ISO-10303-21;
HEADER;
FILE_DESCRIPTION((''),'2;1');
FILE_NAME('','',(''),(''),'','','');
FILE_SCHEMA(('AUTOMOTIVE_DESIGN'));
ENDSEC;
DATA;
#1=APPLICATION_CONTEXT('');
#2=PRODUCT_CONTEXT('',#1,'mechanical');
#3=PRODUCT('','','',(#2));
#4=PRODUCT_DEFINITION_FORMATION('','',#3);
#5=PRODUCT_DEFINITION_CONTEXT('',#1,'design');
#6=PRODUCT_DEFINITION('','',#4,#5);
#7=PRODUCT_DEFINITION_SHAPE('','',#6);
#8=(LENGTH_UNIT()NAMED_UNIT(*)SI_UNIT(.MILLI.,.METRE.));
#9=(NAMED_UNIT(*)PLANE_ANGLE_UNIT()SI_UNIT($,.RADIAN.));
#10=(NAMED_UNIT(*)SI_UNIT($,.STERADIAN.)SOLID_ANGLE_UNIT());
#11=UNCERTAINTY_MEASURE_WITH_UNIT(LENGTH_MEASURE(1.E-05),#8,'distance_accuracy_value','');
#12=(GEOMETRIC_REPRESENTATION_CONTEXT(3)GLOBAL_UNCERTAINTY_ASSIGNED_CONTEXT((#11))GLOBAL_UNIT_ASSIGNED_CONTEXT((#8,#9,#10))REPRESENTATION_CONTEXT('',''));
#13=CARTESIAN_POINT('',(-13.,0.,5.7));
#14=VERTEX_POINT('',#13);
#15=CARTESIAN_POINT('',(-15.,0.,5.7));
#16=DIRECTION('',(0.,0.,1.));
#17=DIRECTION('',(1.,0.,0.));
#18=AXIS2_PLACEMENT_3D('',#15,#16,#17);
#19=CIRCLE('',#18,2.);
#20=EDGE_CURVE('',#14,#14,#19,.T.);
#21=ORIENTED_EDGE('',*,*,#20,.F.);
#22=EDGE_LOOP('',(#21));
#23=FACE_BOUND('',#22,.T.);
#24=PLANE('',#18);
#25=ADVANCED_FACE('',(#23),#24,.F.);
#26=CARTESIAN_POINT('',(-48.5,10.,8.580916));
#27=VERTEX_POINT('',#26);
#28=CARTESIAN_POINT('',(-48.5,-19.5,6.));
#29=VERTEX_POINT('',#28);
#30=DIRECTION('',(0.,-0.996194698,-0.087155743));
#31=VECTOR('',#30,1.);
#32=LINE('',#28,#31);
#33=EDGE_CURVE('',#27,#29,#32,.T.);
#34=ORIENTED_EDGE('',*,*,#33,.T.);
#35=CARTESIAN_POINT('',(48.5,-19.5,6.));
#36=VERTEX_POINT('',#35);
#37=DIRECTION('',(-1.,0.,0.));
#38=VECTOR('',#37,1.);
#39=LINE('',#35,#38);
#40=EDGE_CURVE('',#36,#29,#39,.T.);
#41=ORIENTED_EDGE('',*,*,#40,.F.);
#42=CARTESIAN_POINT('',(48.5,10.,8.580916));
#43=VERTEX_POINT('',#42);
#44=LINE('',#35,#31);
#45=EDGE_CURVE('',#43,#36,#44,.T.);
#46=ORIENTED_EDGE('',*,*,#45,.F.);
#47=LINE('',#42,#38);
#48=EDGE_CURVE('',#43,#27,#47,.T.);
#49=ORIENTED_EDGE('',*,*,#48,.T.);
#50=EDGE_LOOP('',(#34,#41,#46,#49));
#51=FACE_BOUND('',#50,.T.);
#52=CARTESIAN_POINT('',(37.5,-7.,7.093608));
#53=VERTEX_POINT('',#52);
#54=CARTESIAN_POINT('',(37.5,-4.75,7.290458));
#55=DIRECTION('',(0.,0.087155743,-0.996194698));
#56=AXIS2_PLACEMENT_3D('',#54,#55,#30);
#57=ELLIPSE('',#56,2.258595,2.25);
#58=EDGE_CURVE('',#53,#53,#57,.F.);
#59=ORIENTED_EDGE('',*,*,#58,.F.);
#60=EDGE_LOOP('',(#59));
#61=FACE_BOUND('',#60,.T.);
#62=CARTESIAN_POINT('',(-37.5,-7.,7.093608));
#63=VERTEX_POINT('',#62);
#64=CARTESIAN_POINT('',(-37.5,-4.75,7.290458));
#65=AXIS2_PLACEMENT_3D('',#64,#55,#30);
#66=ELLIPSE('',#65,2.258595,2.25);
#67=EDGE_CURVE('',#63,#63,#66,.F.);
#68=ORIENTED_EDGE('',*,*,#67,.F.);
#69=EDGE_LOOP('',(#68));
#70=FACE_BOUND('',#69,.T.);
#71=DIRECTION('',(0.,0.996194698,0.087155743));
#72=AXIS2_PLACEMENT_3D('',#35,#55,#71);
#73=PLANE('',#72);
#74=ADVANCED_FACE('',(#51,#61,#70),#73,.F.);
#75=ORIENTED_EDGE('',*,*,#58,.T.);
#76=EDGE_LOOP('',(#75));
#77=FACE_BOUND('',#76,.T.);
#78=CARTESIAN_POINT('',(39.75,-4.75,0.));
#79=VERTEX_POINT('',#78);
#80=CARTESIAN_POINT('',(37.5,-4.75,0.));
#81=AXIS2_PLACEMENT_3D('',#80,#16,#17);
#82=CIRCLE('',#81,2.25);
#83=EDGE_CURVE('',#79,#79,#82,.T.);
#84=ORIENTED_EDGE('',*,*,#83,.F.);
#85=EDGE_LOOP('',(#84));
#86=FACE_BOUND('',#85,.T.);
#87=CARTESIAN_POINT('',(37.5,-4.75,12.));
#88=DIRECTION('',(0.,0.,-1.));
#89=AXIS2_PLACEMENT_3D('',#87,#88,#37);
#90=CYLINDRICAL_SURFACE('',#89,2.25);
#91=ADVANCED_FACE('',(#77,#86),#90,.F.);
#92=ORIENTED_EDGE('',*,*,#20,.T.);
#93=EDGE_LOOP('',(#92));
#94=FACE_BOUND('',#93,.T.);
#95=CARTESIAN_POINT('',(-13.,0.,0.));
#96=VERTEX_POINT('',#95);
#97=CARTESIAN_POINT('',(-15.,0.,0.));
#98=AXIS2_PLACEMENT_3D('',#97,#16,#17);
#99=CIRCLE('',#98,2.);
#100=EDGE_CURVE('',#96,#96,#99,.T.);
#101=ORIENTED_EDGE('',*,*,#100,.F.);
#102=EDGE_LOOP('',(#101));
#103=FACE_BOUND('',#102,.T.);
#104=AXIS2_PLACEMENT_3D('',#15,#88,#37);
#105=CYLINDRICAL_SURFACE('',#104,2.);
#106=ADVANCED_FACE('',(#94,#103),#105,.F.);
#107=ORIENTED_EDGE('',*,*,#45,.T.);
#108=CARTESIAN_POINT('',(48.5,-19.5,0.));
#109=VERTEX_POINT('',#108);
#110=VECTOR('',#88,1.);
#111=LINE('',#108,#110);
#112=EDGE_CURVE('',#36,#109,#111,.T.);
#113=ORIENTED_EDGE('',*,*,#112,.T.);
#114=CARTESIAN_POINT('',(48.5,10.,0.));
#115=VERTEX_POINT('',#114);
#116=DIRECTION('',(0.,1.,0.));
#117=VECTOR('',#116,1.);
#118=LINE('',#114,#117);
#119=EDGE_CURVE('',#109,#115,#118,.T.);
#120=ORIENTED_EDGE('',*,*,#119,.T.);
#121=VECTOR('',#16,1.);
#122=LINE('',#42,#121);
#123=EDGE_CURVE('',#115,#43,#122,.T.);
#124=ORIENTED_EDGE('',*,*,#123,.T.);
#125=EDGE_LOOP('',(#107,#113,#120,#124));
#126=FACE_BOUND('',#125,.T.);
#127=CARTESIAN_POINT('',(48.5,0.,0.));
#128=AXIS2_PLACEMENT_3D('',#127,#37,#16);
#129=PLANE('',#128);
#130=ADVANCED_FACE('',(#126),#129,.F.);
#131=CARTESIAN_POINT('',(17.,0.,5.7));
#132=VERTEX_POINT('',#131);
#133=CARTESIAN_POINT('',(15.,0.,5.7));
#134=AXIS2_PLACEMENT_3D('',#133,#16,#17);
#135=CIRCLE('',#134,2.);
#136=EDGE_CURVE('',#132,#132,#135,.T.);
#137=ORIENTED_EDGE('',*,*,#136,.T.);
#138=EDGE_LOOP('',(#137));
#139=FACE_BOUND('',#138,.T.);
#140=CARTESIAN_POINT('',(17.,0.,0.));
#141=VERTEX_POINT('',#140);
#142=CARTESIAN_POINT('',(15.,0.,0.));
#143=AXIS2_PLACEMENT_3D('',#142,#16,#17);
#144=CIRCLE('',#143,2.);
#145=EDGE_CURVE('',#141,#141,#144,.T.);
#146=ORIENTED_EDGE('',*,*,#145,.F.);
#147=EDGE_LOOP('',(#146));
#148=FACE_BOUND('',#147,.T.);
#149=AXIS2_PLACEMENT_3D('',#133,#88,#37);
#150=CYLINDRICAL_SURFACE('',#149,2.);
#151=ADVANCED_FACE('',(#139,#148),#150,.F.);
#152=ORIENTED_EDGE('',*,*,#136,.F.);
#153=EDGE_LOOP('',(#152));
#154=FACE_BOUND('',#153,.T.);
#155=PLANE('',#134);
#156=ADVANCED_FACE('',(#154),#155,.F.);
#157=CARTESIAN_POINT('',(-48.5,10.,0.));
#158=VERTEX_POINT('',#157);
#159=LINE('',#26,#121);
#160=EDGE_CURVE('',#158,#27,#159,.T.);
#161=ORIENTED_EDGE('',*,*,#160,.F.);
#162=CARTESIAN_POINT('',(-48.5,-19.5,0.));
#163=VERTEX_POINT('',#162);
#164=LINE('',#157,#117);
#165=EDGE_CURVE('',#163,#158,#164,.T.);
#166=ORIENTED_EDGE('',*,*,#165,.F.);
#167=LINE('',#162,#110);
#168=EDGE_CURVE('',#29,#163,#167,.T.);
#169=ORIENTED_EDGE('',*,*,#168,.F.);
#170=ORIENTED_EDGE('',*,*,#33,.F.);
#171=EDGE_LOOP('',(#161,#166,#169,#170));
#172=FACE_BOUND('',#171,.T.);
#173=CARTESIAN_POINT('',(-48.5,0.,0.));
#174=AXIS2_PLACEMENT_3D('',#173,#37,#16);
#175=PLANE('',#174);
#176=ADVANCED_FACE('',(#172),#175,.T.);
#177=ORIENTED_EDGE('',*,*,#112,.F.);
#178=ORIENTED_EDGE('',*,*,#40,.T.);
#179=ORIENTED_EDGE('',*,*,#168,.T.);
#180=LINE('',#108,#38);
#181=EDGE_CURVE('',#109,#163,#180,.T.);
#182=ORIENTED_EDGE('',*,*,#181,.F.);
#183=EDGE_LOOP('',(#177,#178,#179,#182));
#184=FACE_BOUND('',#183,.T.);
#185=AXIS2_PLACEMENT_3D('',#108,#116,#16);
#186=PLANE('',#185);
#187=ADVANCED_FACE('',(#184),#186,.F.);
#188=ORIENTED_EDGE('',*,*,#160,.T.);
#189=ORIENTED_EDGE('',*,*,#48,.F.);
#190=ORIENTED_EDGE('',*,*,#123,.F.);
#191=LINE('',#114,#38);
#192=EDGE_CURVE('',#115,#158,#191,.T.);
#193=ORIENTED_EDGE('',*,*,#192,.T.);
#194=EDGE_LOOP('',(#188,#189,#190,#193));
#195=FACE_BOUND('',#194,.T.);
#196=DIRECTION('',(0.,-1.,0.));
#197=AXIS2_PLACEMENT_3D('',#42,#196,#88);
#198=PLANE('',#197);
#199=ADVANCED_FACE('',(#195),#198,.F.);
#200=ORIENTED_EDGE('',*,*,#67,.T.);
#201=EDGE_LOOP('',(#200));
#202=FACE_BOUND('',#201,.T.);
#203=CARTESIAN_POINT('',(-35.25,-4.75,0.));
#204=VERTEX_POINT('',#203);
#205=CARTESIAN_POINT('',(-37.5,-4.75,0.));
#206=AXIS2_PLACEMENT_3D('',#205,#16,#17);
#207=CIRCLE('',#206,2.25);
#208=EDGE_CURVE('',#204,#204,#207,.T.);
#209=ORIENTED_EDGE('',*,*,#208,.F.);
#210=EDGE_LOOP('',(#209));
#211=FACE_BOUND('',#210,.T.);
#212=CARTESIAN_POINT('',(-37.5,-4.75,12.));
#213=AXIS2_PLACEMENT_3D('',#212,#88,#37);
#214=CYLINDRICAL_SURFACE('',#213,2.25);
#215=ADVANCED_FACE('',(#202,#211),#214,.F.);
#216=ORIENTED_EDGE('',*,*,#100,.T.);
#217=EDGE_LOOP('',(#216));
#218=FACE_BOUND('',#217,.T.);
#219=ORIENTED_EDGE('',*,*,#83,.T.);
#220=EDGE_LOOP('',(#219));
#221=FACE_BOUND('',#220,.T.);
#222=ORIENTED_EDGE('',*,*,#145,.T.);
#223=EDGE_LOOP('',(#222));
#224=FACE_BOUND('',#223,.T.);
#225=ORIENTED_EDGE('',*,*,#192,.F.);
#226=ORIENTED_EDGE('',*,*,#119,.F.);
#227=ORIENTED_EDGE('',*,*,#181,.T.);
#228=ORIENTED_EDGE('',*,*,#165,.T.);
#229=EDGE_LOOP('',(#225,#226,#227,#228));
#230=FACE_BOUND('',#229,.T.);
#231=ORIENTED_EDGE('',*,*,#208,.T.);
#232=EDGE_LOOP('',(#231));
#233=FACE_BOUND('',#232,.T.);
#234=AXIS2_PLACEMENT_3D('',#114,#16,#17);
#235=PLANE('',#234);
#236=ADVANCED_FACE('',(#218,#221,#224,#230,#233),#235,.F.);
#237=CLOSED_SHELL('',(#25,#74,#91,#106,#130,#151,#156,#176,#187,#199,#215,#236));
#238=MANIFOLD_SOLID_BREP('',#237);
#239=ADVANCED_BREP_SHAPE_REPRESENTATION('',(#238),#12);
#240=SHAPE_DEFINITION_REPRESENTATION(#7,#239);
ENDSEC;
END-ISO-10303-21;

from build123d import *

# Parameters (mm, degrees)
EX_BODY_DEPTH        = 97
SK_INSERTS_M3_R      = 2
CUT_INSERTS_M3_DEPTH = 5.7
SK_VESA_M4_R         = 2.25
CUT_VESA_M4_DEPTH    = 12


with BuildPart() as part:
    # SK_Body → EX_Body (new body)
    with BuildSketch(Plane(origin=(-48.5, 0, 0), x_dir=(0, 0, -1), z_dir=(1, 0, 0))):
        Polygon((0, -19.5), (-6, -19.5), (-8.580915574, 10), (0, 10), align=None)
    extrude(amount=EX_BODY_DEPTH)

    # SK_Inserts_M3 → CUT_Inserts_M3 (cut)
    with BuildSketch(Plane.XY):
        with Locations((15, 0)):
            Circle(SK_INSERTS_M3_R)
        with Locations((-15, 0)):
            Circle(SK_INSERTS_M3_R)
    extrude(amount=CUT_INSERTS_M3_DEPTH, mode=Mode.SUBTRACT)

    # SK_VESA_M4 → CUT_VESA_M4 (cut)
    with BuildSketch(Plane.XY):
        with Locations((37.5, -4.75)):
            Circle(SK_VESA_M4_R)
        with Locations((-37.5, -4.75)):
            Circle(SK_VESA_M4_R)
    extrude(amount=CUT_VESA_M4_DEPTH, mode=Mode.SUBTRACT)


solid = part.part
